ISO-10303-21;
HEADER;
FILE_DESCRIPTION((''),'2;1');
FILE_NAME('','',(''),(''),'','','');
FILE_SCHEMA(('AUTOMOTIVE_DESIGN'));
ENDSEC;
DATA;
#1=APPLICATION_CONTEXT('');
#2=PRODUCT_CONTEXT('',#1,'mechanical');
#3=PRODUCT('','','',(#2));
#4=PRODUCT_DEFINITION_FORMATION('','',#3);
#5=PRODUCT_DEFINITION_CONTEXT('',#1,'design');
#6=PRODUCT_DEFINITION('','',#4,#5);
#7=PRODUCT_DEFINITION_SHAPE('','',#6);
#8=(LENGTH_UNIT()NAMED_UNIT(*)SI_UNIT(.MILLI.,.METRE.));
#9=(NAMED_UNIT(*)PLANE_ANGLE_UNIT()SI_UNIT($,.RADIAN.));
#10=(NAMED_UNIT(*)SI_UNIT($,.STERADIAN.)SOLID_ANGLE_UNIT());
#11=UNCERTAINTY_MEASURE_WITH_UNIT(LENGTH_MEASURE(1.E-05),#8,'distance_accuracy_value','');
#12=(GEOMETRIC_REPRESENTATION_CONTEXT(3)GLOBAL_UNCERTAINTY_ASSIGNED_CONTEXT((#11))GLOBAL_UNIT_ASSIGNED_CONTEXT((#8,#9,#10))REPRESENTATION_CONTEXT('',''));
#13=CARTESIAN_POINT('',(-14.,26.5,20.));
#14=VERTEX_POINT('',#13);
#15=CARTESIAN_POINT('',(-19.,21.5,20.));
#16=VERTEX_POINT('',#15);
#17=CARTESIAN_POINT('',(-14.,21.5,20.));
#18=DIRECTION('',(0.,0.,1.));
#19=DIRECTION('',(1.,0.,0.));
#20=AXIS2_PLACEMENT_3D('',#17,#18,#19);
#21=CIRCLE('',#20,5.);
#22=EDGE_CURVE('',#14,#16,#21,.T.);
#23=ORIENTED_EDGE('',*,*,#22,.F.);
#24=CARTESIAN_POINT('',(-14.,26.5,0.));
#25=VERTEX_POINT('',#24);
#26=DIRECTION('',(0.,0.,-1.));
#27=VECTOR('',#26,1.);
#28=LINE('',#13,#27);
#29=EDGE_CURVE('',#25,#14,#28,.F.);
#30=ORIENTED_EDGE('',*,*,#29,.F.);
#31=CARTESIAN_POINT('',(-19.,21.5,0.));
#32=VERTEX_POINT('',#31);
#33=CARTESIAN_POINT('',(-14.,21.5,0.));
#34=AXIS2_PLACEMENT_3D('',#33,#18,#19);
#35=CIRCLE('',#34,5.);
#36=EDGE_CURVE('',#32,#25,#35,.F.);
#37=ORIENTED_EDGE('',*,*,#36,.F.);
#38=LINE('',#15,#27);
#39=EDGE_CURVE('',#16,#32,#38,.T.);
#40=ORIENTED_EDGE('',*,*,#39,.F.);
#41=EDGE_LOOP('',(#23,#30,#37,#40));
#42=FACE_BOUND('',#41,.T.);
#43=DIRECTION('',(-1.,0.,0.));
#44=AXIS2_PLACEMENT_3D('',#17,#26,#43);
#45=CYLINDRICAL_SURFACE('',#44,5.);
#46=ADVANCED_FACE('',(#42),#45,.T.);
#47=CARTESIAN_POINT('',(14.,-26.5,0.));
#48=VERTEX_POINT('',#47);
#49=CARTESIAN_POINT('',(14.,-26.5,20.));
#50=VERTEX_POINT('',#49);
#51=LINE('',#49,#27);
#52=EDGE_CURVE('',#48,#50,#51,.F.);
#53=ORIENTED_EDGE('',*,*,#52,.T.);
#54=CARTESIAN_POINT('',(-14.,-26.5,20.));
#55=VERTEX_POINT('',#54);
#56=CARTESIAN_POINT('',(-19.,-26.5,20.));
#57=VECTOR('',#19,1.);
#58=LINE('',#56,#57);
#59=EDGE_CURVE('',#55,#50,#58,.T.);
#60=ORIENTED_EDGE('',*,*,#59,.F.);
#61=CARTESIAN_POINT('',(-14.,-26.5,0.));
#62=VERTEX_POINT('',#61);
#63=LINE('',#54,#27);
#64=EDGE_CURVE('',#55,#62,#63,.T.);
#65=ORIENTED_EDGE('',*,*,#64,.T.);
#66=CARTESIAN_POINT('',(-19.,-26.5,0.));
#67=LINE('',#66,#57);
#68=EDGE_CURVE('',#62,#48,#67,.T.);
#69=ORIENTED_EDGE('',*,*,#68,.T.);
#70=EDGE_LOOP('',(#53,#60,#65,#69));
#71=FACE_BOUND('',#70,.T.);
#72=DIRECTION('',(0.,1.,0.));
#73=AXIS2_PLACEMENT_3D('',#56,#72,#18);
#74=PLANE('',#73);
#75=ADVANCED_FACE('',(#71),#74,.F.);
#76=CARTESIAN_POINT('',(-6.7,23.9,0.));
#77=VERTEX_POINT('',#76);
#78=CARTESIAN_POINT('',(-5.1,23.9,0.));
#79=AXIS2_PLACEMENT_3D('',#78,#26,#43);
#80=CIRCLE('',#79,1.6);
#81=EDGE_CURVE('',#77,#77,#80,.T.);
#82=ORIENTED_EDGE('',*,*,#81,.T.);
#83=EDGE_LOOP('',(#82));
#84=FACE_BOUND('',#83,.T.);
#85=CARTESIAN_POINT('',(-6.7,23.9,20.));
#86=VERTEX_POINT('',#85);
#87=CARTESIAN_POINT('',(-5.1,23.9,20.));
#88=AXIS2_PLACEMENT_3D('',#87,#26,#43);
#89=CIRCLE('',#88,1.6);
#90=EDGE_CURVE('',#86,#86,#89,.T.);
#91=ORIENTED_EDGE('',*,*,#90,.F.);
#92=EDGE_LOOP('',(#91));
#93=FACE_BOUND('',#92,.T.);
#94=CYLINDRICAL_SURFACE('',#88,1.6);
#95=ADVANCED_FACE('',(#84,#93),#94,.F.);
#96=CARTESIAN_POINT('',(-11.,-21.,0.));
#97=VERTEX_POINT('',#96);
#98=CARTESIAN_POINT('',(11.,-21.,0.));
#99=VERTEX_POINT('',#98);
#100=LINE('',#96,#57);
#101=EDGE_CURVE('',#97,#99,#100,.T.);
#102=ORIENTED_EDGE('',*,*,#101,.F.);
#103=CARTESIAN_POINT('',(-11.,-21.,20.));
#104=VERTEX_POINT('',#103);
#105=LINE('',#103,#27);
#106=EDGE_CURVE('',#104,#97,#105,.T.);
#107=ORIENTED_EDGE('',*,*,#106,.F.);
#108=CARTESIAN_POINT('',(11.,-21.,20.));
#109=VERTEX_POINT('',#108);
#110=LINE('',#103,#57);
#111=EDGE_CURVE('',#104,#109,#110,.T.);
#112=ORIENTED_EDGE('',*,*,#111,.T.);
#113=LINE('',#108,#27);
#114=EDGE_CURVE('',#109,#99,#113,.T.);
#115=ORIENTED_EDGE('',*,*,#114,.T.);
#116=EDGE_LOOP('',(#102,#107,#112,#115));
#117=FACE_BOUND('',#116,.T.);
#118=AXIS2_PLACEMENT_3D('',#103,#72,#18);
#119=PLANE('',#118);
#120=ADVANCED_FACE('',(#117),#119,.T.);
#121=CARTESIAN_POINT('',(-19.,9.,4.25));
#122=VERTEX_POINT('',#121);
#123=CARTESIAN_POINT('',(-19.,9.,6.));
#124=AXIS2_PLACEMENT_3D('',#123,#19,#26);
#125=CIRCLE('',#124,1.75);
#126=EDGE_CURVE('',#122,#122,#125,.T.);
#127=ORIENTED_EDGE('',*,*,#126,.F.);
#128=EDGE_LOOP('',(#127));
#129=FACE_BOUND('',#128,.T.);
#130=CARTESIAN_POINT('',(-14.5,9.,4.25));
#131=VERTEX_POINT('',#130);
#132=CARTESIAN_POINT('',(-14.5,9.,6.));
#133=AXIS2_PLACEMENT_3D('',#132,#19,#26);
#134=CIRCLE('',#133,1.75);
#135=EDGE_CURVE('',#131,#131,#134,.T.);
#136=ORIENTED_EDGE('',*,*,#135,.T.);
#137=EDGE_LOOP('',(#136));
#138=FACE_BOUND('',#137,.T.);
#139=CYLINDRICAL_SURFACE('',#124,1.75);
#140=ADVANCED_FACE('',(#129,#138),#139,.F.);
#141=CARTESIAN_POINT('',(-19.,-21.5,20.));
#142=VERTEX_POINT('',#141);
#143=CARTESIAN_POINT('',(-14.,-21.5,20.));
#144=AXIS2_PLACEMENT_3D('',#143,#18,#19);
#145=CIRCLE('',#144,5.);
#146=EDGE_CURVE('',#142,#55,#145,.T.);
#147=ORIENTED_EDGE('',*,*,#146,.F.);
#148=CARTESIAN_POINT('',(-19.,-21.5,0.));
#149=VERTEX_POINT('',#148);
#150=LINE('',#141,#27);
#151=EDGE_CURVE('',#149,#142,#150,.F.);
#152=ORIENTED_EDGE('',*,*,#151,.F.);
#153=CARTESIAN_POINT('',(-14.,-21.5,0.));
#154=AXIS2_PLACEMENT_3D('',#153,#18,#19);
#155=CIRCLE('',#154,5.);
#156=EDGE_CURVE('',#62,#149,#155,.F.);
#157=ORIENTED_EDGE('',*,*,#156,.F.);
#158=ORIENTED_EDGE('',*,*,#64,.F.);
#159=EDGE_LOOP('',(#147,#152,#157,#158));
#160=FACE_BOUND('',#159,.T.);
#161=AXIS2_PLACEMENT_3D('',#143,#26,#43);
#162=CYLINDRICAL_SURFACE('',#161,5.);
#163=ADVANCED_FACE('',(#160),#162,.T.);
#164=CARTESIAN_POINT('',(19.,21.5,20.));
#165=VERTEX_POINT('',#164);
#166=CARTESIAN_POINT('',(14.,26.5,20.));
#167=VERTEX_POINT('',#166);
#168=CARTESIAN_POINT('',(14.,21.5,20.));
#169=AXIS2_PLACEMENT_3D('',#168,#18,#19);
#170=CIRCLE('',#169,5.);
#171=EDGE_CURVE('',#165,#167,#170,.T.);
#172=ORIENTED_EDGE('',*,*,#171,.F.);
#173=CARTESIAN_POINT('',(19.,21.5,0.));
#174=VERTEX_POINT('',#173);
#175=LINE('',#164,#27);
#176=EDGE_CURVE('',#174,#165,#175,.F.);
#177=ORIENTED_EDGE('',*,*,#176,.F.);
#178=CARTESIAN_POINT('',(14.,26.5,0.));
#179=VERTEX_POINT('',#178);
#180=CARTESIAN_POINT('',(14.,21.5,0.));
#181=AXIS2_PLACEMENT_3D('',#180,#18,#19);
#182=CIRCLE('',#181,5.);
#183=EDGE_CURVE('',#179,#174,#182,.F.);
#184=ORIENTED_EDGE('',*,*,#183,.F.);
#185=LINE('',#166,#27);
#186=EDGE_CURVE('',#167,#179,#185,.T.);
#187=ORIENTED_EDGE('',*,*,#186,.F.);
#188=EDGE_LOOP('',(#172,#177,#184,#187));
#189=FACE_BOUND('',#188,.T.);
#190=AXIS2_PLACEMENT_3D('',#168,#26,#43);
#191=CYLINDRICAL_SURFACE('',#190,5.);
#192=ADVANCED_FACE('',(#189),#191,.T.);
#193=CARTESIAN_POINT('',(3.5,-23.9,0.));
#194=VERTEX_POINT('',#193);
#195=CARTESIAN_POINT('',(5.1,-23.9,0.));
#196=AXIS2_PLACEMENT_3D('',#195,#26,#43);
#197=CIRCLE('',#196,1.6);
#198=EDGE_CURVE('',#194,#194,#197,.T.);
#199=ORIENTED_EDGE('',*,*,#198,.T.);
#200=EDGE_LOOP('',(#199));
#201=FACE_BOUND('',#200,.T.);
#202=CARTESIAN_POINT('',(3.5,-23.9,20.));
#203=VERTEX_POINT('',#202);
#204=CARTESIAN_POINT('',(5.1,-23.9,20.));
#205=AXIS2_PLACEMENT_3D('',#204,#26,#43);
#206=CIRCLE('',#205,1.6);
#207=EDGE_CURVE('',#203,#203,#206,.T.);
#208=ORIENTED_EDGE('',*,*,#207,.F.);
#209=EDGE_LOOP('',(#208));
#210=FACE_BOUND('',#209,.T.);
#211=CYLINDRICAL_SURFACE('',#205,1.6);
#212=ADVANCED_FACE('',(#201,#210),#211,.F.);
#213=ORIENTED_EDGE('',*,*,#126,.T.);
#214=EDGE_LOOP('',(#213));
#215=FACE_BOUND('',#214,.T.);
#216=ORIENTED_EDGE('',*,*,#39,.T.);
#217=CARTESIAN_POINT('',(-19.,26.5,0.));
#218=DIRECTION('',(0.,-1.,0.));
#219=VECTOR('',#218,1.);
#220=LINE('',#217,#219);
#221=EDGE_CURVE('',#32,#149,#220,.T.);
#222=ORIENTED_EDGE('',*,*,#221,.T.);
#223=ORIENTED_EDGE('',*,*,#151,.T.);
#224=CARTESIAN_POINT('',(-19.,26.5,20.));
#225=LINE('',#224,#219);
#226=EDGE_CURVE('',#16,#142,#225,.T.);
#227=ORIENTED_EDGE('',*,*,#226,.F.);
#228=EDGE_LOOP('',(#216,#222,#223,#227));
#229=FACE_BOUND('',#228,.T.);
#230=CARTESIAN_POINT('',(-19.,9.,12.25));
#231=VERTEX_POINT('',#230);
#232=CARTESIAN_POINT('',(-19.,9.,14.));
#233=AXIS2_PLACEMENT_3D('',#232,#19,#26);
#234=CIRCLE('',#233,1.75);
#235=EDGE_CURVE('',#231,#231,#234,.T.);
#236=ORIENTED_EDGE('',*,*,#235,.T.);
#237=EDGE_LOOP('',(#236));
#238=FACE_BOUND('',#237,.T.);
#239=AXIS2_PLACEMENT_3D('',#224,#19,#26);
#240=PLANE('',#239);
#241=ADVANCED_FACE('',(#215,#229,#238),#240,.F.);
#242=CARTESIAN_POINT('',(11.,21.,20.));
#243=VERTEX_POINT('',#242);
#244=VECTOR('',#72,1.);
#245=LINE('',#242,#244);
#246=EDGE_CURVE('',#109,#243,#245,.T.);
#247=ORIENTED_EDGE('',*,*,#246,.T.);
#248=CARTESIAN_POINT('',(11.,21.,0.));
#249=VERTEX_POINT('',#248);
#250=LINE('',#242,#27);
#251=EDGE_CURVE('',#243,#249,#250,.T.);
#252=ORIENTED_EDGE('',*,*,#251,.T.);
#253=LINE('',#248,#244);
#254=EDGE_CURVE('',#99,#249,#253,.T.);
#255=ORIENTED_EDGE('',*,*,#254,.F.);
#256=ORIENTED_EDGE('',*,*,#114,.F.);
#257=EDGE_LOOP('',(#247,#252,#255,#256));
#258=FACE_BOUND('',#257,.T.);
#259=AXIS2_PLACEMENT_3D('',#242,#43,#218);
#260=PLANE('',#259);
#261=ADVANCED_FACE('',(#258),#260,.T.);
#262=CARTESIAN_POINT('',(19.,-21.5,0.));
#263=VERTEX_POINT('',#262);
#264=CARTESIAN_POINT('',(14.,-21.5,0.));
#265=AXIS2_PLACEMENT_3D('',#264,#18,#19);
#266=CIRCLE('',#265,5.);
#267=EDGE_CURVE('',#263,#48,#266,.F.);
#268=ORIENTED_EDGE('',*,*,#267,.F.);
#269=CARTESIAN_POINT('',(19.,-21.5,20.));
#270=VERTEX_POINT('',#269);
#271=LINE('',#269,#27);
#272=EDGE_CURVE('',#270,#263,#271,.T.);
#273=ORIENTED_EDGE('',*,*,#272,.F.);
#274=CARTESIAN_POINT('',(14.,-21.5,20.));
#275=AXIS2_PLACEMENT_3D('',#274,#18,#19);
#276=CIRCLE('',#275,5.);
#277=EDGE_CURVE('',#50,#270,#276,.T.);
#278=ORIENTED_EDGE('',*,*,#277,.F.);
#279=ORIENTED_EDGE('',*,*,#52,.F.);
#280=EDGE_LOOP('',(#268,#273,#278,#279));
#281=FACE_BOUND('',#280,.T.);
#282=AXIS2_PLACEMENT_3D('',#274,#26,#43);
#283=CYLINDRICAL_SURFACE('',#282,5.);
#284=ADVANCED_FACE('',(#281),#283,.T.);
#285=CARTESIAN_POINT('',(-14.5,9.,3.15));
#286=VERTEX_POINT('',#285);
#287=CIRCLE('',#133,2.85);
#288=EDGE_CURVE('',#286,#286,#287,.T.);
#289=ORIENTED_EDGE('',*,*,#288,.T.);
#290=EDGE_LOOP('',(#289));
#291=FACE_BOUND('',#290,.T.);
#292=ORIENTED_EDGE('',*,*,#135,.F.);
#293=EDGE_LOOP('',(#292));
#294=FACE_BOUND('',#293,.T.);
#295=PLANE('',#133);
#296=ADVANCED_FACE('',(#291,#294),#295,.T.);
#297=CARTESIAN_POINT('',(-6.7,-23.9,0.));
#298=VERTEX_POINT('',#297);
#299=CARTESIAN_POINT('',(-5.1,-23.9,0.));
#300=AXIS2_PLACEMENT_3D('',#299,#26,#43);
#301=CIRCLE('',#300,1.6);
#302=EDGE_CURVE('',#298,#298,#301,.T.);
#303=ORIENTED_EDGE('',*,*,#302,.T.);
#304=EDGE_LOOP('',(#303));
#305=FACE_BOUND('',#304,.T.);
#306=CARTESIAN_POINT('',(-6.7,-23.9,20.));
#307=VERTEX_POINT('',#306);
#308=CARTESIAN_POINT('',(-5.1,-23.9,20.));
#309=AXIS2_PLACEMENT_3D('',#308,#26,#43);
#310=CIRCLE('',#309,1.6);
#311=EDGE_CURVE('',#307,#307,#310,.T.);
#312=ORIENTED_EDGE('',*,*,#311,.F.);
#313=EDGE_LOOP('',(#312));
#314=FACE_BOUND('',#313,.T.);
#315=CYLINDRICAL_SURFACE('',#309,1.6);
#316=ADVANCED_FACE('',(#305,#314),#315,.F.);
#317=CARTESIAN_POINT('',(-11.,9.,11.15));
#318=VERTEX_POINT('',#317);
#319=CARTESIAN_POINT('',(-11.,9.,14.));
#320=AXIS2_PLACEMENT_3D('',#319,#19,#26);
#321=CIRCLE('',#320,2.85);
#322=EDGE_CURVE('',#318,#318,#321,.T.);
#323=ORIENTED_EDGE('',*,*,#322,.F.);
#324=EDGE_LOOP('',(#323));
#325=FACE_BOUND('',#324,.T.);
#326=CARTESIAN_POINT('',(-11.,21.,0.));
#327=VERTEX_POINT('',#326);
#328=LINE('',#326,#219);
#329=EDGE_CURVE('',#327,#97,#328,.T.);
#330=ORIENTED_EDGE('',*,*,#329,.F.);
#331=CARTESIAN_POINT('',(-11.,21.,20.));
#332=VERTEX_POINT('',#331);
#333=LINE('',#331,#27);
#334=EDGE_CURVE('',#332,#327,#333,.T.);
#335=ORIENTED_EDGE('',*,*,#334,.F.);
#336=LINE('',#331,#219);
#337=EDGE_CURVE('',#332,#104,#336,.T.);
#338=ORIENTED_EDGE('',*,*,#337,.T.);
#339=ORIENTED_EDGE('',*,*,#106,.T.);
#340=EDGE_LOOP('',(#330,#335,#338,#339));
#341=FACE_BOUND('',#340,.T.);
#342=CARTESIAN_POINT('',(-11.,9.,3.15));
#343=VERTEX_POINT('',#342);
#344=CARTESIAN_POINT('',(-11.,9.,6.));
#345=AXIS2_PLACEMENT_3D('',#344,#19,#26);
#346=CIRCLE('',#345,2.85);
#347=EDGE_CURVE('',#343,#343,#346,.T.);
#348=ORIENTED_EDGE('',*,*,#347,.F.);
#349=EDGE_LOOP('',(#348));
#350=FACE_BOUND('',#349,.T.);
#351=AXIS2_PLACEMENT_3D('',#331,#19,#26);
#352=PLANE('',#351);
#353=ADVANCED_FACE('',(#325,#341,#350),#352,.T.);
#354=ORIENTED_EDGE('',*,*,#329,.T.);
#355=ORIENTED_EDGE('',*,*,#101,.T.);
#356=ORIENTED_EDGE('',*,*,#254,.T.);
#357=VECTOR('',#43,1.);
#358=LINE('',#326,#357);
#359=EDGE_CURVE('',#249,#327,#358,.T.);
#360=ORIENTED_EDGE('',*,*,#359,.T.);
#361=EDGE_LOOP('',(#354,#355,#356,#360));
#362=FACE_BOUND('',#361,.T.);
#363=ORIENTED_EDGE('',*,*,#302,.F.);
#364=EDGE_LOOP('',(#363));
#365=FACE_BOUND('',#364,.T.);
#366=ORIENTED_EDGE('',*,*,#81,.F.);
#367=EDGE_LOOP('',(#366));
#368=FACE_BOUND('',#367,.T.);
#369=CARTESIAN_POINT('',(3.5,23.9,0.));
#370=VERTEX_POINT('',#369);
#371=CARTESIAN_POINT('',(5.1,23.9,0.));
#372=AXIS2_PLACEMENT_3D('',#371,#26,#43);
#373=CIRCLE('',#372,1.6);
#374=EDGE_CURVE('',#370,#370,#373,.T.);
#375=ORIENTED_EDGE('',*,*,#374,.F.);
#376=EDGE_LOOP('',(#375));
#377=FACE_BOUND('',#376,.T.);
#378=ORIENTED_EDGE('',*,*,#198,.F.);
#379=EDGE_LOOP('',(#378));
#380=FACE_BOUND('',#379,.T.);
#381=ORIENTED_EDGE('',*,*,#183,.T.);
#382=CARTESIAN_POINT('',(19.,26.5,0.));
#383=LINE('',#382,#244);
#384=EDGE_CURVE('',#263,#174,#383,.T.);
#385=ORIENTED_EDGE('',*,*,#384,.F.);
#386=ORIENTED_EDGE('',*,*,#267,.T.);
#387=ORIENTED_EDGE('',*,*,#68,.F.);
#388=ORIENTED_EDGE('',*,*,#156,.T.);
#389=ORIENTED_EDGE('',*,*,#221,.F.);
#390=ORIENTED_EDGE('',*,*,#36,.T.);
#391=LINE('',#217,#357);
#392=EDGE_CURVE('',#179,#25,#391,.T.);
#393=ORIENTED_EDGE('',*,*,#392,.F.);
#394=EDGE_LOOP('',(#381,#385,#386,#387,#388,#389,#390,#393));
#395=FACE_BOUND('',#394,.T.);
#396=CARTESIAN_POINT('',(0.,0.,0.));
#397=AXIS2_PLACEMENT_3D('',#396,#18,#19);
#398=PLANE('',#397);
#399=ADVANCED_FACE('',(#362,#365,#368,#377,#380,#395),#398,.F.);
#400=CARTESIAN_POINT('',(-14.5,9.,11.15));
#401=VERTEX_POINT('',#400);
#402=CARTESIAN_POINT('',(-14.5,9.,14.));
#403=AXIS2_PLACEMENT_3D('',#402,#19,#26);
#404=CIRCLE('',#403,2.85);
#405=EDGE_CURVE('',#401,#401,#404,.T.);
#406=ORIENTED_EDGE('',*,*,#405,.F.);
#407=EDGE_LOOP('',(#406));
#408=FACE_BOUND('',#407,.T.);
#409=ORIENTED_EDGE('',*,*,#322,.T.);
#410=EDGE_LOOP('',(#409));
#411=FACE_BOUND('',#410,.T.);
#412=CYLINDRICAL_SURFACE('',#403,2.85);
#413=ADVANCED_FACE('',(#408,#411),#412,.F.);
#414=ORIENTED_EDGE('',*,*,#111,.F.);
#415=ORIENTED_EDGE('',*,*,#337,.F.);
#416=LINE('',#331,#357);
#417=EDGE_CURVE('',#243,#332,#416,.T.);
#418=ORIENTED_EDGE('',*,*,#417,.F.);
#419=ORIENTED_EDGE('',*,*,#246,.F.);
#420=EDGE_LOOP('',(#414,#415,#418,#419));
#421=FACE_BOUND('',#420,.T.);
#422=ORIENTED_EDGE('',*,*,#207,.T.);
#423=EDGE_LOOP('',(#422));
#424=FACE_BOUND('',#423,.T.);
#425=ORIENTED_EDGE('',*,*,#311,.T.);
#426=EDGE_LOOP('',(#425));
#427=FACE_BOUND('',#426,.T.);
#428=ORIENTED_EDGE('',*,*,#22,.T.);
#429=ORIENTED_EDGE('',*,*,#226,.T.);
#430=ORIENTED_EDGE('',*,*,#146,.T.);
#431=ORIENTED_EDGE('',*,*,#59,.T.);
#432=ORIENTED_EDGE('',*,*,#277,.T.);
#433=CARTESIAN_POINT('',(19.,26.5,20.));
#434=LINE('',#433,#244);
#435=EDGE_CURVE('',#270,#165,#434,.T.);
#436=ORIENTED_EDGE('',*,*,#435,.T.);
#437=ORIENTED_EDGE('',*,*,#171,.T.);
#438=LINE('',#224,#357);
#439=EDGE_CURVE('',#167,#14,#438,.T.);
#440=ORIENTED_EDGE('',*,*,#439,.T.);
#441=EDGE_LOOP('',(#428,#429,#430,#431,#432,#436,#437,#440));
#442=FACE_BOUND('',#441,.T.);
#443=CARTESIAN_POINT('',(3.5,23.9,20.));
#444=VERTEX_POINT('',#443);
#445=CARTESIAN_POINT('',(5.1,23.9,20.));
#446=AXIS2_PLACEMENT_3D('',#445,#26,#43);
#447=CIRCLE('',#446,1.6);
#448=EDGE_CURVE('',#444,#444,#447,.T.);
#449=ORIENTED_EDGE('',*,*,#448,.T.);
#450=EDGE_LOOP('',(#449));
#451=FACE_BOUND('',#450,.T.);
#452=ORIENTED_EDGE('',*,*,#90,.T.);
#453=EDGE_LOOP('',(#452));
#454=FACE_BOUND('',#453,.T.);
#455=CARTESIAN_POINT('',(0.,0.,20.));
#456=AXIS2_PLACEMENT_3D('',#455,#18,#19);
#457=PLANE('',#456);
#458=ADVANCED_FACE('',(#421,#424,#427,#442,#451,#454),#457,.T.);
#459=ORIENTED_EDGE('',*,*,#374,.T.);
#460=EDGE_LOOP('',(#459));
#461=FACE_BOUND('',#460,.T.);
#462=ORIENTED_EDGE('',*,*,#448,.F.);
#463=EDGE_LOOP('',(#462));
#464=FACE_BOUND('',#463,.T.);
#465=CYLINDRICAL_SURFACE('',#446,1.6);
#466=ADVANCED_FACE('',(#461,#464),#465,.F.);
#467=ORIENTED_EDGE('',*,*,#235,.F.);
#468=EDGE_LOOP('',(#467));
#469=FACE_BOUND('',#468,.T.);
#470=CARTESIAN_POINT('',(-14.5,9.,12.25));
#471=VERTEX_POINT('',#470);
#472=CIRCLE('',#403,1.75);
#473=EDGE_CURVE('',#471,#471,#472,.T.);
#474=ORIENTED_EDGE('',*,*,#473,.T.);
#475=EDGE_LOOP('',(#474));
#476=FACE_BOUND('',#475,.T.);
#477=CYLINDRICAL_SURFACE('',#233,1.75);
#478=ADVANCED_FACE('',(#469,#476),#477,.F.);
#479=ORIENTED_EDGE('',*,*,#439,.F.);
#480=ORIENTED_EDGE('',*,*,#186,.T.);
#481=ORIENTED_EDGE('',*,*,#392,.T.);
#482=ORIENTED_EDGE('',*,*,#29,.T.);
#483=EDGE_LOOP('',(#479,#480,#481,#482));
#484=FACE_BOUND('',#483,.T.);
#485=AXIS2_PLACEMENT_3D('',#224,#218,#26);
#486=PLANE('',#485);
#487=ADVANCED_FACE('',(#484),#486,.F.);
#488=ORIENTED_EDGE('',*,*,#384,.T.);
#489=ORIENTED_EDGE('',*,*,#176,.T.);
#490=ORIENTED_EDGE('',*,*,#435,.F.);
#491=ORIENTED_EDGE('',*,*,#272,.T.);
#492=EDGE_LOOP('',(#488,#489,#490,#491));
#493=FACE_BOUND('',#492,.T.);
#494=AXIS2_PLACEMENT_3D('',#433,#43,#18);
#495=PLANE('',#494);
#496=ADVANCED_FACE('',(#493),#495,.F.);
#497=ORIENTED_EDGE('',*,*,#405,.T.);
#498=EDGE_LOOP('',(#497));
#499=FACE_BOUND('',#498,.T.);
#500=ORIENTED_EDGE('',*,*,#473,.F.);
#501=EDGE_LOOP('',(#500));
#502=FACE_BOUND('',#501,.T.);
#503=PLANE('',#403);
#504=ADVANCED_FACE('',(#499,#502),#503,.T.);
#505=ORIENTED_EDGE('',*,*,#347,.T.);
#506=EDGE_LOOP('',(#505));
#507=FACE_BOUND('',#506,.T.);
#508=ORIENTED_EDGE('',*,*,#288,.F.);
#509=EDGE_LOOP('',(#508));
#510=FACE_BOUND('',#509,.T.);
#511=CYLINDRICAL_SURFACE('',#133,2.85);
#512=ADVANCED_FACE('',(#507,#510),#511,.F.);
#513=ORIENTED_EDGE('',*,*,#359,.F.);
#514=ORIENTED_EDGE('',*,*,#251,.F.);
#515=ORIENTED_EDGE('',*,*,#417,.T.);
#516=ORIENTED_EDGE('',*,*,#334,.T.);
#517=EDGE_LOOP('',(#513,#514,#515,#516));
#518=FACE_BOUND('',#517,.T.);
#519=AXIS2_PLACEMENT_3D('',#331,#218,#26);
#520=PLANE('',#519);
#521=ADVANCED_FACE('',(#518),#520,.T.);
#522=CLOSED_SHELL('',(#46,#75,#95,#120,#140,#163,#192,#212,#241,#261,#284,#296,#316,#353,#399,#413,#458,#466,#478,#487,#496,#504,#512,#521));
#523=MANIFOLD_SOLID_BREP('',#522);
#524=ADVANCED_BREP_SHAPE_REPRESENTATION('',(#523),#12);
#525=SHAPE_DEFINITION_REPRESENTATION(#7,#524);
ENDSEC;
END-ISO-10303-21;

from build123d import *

# Parameters (mm, degrees)
SKETCH1_W           = 38
SKETCH1_H           = 53
SKETCH1_W_2         = 22
SKETCH1_H_2         = 42
BOSS_EXTRUDE1_DEPTH = 20
SKETCH4_R           = 1.6
CUT_EXTRUDE3_DEPTH  = 39.252450902
FILLET1_R           = 5
SKETCH5_R           = 1.75
CUT_EXTRUDE4_DEPTH  = 45.746508244
SKETCH5_4_R         = 2.85
SKETCH5_4_R_2       = 1.75
CUT_EXTRUDE6_DEPTH  = 3.5


with BuildPart() as part:
    # Sketch1 → Boss-Extrude1 (new body)
    with BuildSketch(Plane.XY):
        Rectangle(SKETCH1_W, SKETCH1_H)
        Rectangle(SKETCH1_W_2, SKETCH1_H_2, mode=Mode.SUBTRACT)
    extrude(amount=BOSS_EXTRUDE1_DEPTH)

    # Sketch4 → Cut-Extrude3 (cut, through all)
    with BuildSketch(Plane(origin=(0, 0, 0), x_dir=(-1, 0, 0), z_dir=(0, 0, -1))):
        with Locations((-5.1, -23.9)):
            Circle(SKETCH4_R)
        with Locations((5.1, -23.9)):
            Circle(SKETCH4_R)
        with Locations((-5.1, 23.9)):
            Circle(SKETCH4_R)
        with Locations((5.1, 23.9)):
            Circle(SKETCH4_R)
    extrude(amount=-CUT_EXTRUDE3_DEPTH, mode=Mode.SUBTRACT)

    # Fillet1
    fillet1_edges = [part.edges().sort_by_distance(p)[0] for p in [
        (19, -26.5, 10),
        (-19, -26.5, 10),
        (-19, 26.5, 10),
        (19, 26.5, 10),
    ]]
    fillet(fillet1_edges, radius=FILLET1_R)

    # Sketch5 → Cut-Extrude4 (cut, through all)
    with BuildSketch(Plane(origin=(-11, 0, 0), x_dir=(0, 0, -1), z_dir=(1, 0, 0))):
        with Locations((-14, 9)):
            Circle(SKETCH5_R)
        with Locations((-6, 9)):
            Circle(SKETCH5_R)
    extrude(amount=-CUT_EXTRUDE4_DEPTH, mode=Mode.SUBTRACT)

    # Sketch5<4> → Cut-Extrude6 (cut)
    # profile 1 of 2: a face of its own
    with BuildSketch(Plane(origin=(-11, 0, 0), x_dir=(0, 0, -1), z_dir=(1, 0, 0))):
        with Locations((-14, 9)):
            Circle(SKETCH5_4_R)
        with Locations((-14, 9)):
            Circle(SKETCH5_4_R_2, mode=Mode.SUBTRACT)
    # profile 2 of 2: a face of its own
    with BuildSketch(Plane(origin=(-11, 0, 0), x_dir=(0, 0, -1), z_dir=(1, 0, 0))):
        with Locations((-6, 9)):
            Circle(SKETCH5_4_R)
        with Locations((-6, 9)):
            Circle(SKETCH5_4_R_2, mode=Mode.SUBTRACT)
    extrude(amount=-CUT_EXTRUDE6_DEPTH, mode=Mode.SUBTRACT)


solid = part.part
